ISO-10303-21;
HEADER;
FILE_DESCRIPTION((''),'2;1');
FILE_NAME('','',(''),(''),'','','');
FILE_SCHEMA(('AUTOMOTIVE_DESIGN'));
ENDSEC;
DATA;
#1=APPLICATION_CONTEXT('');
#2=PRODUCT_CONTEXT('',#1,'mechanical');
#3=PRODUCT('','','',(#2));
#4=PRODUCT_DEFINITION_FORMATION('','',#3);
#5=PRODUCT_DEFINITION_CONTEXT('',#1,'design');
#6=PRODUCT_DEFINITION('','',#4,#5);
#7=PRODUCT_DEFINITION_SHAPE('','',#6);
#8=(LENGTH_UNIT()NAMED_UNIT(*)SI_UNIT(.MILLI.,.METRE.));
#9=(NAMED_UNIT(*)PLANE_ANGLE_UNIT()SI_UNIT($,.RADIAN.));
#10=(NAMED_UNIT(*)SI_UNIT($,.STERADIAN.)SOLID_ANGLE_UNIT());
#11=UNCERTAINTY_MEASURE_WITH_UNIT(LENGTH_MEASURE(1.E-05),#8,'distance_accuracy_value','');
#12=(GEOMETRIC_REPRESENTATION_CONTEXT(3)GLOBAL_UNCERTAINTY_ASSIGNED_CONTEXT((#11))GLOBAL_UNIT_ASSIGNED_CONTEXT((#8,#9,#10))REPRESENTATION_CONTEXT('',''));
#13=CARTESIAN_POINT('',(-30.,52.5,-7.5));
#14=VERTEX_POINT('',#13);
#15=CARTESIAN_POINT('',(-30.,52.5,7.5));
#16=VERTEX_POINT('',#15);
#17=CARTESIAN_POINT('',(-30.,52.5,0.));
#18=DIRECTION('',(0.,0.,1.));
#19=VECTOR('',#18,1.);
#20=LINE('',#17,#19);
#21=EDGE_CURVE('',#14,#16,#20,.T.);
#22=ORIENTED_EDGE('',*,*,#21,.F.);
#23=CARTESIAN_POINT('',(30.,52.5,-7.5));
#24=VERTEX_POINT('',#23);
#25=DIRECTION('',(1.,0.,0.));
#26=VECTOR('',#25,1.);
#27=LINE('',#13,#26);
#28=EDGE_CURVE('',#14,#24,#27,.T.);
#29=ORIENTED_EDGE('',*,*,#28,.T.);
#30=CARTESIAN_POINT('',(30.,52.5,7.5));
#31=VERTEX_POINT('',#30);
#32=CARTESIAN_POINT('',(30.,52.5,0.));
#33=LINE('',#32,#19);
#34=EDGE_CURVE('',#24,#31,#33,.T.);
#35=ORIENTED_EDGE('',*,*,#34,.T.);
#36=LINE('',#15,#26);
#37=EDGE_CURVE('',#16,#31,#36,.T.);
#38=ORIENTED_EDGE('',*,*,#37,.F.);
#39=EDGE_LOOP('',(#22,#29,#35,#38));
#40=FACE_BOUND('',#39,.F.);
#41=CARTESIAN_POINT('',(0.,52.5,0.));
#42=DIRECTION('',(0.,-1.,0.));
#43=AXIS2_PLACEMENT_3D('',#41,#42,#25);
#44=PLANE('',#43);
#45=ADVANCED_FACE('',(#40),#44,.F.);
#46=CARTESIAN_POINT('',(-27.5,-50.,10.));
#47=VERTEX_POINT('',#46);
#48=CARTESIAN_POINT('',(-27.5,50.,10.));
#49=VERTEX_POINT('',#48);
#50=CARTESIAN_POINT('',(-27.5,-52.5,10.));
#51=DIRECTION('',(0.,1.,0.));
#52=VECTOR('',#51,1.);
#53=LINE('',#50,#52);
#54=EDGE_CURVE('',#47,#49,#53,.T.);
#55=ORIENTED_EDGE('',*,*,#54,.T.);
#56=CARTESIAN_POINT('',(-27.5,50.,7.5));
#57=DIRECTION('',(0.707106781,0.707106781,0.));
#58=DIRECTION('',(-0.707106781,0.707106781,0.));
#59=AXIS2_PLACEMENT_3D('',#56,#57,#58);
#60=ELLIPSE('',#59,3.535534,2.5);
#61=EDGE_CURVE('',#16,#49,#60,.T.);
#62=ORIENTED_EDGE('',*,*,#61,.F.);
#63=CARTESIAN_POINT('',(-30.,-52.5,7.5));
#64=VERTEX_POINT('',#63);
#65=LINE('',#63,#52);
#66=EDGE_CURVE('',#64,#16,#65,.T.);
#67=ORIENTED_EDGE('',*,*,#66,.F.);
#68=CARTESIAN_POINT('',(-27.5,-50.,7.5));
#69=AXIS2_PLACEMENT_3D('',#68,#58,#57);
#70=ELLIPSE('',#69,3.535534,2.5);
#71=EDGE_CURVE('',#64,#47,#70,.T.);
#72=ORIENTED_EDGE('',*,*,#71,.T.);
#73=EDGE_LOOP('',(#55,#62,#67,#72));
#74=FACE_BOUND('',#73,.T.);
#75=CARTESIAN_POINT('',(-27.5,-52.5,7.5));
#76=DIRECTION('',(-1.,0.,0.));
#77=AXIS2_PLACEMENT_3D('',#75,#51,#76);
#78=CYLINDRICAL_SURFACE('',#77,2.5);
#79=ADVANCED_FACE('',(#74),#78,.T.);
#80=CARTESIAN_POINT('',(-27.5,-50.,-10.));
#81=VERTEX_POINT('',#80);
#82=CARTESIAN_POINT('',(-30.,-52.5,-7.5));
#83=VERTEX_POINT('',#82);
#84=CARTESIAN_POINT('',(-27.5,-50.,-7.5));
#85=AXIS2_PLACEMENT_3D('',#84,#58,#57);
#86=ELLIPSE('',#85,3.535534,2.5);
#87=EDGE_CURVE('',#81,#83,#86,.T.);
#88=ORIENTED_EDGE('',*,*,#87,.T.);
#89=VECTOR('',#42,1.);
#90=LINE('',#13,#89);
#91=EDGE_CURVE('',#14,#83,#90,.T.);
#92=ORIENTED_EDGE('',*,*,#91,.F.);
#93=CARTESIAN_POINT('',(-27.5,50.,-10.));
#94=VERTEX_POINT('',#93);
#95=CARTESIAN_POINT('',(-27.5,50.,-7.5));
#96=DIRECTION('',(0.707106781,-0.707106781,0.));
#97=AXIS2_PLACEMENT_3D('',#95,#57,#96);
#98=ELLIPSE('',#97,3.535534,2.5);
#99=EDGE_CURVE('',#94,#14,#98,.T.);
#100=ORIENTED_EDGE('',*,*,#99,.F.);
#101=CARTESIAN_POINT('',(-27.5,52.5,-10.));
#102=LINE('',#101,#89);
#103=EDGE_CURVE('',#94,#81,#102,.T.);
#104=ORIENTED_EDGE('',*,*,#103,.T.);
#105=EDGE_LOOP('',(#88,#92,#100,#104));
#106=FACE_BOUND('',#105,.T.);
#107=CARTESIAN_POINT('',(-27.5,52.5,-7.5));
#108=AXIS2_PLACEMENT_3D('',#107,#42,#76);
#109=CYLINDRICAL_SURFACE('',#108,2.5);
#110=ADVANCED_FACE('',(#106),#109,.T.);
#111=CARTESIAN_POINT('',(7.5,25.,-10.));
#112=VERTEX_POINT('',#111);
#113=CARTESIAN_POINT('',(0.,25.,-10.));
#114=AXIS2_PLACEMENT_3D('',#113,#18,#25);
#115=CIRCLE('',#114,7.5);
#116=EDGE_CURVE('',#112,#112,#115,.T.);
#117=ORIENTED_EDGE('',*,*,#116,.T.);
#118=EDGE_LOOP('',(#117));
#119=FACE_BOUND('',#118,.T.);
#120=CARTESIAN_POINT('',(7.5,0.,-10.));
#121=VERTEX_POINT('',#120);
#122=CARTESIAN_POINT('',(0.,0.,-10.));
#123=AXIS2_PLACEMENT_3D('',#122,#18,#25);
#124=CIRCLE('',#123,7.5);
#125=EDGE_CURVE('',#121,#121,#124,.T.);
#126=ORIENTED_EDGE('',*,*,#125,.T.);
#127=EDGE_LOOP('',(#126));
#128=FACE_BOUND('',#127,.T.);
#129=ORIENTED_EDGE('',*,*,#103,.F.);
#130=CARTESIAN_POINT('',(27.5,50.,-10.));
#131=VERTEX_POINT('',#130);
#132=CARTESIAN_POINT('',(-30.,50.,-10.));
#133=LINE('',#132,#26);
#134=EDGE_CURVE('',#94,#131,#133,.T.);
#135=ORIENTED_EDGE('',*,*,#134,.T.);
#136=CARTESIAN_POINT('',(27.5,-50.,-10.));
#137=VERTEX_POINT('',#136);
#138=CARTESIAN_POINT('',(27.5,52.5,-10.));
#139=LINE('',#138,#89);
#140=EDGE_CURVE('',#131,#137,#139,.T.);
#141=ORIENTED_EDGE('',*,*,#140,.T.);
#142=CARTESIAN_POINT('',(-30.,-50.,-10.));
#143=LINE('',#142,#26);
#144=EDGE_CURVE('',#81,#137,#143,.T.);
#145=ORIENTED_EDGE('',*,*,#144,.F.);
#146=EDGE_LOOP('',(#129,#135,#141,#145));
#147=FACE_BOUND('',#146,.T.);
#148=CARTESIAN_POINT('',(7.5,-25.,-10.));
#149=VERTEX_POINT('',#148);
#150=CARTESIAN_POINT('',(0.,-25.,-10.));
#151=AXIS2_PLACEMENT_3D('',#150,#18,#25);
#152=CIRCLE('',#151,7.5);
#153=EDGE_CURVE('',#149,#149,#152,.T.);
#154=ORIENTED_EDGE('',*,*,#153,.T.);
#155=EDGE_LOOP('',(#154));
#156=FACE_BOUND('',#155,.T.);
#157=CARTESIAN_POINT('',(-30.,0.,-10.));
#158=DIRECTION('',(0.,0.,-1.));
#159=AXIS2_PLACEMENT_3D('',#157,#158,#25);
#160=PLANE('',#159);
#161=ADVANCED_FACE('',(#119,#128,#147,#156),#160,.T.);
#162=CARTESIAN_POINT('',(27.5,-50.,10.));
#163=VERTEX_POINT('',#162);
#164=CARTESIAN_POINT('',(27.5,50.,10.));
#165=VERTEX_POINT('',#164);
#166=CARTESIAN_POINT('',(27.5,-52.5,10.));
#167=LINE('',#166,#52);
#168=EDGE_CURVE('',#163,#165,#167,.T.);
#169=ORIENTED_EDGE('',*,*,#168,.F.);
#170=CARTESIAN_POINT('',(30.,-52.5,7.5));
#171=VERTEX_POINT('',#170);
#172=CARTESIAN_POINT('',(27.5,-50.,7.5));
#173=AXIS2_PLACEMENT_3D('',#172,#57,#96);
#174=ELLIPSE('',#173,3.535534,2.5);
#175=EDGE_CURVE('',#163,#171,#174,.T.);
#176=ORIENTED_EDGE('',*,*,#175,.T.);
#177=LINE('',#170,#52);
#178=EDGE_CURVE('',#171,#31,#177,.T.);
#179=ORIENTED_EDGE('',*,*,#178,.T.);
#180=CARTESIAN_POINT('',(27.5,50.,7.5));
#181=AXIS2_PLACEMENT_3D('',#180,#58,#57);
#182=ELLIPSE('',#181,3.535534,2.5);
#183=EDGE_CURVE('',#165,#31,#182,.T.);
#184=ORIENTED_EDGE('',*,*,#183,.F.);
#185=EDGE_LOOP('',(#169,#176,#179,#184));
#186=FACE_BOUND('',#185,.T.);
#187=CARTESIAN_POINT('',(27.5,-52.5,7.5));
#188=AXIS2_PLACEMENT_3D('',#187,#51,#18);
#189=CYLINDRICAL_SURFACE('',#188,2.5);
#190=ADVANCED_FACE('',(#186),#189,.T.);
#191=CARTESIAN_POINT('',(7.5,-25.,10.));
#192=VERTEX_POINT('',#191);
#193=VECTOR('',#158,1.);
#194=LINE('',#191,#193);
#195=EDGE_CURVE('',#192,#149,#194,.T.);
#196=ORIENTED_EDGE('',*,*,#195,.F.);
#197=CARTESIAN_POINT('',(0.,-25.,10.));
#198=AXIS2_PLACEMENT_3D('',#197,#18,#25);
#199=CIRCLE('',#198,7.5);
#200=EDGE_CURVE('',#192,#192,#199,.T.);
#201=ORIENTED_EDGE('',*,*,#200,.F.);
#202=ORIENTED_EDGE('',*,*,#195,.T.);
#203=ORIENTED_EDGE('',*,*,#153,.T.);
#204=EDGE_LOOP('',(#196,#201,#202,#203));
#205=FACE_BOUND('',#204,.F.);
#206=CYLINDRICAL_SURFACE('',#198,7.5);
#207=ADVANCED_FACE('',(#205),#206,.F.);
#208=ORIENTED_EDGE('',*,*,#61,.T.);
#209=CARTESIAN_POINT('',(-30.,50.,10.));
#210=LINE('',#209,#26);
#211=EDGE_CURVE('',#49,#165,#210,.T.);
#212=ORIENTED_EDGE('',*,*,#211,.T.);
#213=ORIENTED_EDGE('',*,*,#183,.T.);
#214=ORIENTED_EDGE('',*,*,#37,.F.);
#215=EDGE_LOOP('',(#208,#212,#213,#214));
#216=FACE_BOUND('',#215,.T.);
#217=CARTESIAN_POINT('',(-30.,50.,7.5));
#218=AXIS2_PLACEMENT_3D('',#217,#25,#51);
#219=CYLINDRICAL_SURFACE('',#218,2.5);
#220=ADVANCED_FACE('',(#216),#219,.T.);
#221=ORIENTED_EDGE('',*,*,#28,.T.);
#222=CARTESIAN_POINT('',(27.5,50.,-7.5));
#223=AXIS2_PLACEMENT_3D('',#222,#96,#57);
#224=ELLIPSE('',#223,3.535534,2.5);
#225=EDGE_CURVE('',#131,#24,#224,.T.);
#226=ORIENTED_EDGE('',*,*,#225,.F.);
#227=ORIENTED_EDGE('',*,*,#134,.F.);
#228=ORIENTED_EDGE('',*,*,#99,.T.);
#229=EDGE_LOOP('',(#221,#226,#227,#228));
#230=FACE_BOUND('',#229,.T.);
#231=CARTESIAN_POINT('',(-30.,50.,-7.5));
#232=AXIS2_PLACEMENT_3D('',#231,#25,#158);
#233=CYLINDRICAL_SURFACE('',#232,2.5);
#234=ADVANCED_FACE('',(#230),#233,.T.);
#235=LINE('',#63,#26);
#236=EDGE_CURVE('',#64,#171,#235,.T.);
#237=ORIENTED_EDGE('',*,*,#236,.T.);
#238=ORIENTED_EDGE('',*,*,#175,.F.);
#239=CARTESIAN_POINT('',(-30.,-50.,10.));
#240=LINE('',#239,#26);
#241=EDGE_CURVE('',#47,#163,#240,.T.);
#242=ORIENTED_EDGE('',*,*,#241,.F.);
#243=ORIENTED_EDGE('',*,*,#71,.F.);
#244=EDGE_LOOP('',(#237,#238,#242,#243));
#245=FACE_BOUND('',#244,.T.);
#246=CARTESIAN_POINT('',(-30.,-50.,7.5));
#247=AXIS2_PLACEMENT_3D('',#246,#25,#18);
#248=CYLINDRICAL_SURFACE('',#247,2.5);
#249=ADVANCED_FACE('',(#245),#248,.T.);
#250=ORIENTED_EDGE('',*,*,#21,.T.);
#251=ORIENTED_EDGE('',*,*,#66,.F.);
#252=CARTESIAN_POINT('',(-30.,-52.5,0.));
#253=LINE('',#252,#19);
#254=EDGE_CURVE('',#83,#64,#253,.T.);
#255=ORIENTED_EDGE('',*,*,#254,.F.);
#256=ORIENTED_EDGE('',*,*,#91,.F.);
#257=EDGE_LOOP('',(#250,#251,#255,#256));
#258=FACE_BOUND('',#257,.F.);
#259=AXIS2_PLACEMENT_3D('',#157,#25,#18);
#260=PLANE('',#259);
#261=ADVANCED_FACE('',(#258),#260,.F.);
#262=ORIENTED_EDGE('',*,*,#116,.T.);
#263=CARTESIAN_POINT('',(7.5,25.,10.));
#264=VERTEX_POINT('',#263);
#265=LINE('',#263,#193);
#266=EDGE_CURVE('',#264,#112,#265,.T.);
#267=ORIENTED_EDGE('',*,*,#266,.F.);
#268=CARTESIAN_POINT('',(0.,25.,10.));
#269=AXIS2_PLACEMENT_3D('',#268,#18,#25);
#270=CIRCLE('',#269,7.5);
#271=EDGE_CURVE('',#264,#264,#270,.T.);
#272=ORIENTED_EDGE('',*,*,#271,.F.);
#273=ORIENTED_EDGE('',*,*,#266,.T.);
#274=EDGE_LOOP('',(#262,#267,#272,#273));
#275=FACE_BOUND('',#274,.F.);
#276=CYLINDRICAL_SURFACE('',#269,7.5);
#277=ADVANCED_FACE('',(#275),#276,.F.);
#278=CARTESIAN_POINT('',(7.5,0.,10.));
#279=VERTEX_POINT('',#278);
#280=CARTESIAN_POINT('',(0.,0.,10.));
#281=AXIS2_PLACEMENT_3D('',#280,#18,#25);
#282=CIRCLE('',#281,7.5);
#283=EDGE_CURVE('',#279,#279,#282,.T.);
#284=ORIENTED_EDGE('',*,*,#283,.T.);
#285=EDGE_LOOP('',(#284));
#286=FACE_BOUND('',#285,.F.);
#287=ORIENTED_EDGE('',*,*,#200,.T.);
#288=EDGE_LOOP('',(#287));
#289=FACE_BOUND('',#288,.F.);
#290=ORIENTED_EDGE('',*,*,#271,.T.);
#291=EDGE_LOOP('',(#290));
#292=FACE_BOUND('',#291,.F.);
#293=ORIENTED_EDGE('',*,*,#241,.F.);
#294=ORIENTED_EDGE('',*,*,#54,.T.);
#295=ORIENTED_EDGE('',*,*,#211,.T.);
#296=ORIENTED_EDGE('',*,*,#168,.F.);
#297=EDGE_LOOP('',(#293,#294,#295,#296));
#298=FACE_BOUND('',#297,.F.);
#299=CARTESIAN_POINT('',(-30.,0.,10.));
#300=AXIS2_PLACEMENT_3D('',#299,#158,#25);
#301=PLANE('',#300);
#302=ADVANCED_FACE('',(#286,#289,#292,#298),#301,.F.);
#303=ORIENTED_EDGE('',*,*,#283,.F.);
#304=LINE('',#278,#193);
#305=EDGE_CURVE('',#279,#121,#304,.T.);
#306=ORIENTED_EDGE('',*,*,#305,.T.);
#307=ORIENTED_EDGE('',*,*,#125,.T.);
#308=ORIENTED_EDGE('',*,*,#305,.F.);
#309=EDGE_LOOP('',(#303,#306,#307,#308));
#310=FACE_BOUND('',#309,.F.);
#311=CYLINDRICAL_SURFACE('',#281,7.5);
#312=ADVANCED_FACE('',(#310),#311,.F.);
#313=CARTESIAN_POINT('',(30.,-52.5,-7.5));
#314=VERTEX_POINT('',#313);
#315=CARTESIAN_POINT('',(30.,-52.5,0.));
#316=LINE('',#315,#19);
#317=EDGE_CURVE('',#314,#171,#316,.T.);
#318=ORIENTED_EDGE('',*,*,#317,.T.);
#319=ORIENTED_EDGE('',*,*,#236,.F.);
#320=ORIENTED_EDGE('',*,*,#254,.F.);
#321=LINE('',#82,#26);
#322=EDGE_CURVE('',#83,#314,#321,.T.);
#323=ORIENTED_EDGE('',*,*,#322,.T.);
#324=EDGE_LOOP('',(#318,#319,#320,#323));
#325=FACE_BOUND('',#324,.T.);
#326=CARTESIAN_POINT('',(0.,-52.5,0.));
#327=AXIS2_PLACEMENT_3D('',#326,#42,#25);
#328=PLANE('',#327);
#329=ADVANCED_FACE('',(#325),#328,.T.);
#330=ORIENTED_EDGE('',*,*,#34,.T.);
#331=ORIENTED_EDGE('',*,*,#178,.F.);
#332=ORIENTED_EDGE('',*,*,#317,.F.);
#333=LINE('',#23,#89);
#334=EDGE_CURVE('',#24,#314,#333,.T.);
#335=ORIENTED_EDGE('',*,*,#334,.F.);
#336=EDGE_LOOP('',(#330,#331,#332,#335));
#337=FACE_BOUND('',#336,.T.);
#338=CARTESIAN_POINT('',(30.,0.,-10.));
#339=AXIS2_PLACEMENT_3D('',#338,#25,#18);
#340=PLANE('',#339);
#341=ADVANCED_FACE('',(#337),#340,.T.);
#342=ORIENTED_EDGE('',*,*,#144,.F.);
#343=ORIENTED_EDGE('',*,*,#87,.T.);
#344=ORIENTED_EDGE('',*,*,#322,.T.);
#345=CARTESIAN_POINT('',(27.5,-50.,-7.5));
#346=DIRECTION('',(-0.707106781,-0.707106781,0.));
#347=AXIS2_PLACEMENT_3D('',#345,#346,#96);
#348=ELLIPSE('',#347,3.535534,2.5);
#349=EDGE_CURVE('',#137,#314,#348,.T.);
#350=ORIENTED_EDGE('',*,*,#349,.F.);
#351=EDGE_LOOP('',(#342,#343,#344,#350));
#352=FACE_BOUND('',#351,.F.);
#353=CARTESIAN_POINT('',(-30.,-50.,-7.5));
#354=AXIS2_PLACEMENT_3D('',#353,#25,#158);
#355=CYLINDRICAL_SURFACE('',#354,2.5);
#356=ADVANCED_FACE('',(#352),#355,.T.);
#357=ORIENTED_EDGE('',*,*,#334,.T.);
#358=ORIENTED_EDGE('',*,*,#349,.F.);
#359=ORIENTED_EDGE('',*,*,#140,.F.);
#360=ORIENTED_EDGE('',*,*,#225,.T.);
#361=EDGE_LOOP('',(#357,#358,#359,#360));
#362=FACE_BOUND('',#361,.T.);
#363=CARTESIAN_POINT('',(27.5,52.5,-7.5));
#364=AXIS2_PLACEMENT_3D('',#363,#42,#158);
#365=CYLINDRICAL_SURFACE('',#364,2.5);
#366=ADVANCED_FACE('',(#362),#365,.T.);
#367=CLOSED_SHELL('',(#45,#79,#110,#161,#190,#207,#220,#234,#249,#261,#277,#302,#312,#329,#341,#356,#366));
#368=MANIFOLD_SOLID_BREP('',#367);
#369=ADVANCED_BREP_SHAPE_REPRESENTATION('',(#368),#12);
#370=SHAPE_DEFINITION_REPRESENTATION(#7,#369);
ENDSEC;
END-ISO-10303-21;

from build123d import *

# Parameters (mm, degrees)
F0_W     = 60
F0_H     = 20
F1_DEPTH = 52.5
F2_R     = 7.5
F3_DEPTH = 20.001
F4_R     = 2.5


with BuildPart() as f1:
    # F0 (on Front) → F1 (new body, symmetric)
    with BuildSketch(Plane.XZ):
        Rectangle(F0_W, F0_H)
    extrude(amount=F1_DEPTH, both=True)

    # F2 (on face) → F3 (cut, through all)
    with BuildSketch(Plane.XY.offset(10)):
        with Locations((0, 25)):
            Circle(F2_R)
        Circle(F2_R)
        with Locations((0, -25)):
            Circle(F2_R)
    extrude(amount=-F3_DEPTH, mode=Mode.SUBTRACT)

    # F4
    f4_edges = [f1.edges().sort_by_distance(p)[0] for p in [
        (-30, 0, 10),
        (0, -52.5, 10),
        (30, 0, 10),
        (0, 52.5, 10),
        (0, 52.5, -10),
        (30, 0, -10),
        (0, -52.5, -10),
        (-30, 0, -10),
    ]]
    fillet(f4_edges, radius=F4_R)


solid = f1.part
